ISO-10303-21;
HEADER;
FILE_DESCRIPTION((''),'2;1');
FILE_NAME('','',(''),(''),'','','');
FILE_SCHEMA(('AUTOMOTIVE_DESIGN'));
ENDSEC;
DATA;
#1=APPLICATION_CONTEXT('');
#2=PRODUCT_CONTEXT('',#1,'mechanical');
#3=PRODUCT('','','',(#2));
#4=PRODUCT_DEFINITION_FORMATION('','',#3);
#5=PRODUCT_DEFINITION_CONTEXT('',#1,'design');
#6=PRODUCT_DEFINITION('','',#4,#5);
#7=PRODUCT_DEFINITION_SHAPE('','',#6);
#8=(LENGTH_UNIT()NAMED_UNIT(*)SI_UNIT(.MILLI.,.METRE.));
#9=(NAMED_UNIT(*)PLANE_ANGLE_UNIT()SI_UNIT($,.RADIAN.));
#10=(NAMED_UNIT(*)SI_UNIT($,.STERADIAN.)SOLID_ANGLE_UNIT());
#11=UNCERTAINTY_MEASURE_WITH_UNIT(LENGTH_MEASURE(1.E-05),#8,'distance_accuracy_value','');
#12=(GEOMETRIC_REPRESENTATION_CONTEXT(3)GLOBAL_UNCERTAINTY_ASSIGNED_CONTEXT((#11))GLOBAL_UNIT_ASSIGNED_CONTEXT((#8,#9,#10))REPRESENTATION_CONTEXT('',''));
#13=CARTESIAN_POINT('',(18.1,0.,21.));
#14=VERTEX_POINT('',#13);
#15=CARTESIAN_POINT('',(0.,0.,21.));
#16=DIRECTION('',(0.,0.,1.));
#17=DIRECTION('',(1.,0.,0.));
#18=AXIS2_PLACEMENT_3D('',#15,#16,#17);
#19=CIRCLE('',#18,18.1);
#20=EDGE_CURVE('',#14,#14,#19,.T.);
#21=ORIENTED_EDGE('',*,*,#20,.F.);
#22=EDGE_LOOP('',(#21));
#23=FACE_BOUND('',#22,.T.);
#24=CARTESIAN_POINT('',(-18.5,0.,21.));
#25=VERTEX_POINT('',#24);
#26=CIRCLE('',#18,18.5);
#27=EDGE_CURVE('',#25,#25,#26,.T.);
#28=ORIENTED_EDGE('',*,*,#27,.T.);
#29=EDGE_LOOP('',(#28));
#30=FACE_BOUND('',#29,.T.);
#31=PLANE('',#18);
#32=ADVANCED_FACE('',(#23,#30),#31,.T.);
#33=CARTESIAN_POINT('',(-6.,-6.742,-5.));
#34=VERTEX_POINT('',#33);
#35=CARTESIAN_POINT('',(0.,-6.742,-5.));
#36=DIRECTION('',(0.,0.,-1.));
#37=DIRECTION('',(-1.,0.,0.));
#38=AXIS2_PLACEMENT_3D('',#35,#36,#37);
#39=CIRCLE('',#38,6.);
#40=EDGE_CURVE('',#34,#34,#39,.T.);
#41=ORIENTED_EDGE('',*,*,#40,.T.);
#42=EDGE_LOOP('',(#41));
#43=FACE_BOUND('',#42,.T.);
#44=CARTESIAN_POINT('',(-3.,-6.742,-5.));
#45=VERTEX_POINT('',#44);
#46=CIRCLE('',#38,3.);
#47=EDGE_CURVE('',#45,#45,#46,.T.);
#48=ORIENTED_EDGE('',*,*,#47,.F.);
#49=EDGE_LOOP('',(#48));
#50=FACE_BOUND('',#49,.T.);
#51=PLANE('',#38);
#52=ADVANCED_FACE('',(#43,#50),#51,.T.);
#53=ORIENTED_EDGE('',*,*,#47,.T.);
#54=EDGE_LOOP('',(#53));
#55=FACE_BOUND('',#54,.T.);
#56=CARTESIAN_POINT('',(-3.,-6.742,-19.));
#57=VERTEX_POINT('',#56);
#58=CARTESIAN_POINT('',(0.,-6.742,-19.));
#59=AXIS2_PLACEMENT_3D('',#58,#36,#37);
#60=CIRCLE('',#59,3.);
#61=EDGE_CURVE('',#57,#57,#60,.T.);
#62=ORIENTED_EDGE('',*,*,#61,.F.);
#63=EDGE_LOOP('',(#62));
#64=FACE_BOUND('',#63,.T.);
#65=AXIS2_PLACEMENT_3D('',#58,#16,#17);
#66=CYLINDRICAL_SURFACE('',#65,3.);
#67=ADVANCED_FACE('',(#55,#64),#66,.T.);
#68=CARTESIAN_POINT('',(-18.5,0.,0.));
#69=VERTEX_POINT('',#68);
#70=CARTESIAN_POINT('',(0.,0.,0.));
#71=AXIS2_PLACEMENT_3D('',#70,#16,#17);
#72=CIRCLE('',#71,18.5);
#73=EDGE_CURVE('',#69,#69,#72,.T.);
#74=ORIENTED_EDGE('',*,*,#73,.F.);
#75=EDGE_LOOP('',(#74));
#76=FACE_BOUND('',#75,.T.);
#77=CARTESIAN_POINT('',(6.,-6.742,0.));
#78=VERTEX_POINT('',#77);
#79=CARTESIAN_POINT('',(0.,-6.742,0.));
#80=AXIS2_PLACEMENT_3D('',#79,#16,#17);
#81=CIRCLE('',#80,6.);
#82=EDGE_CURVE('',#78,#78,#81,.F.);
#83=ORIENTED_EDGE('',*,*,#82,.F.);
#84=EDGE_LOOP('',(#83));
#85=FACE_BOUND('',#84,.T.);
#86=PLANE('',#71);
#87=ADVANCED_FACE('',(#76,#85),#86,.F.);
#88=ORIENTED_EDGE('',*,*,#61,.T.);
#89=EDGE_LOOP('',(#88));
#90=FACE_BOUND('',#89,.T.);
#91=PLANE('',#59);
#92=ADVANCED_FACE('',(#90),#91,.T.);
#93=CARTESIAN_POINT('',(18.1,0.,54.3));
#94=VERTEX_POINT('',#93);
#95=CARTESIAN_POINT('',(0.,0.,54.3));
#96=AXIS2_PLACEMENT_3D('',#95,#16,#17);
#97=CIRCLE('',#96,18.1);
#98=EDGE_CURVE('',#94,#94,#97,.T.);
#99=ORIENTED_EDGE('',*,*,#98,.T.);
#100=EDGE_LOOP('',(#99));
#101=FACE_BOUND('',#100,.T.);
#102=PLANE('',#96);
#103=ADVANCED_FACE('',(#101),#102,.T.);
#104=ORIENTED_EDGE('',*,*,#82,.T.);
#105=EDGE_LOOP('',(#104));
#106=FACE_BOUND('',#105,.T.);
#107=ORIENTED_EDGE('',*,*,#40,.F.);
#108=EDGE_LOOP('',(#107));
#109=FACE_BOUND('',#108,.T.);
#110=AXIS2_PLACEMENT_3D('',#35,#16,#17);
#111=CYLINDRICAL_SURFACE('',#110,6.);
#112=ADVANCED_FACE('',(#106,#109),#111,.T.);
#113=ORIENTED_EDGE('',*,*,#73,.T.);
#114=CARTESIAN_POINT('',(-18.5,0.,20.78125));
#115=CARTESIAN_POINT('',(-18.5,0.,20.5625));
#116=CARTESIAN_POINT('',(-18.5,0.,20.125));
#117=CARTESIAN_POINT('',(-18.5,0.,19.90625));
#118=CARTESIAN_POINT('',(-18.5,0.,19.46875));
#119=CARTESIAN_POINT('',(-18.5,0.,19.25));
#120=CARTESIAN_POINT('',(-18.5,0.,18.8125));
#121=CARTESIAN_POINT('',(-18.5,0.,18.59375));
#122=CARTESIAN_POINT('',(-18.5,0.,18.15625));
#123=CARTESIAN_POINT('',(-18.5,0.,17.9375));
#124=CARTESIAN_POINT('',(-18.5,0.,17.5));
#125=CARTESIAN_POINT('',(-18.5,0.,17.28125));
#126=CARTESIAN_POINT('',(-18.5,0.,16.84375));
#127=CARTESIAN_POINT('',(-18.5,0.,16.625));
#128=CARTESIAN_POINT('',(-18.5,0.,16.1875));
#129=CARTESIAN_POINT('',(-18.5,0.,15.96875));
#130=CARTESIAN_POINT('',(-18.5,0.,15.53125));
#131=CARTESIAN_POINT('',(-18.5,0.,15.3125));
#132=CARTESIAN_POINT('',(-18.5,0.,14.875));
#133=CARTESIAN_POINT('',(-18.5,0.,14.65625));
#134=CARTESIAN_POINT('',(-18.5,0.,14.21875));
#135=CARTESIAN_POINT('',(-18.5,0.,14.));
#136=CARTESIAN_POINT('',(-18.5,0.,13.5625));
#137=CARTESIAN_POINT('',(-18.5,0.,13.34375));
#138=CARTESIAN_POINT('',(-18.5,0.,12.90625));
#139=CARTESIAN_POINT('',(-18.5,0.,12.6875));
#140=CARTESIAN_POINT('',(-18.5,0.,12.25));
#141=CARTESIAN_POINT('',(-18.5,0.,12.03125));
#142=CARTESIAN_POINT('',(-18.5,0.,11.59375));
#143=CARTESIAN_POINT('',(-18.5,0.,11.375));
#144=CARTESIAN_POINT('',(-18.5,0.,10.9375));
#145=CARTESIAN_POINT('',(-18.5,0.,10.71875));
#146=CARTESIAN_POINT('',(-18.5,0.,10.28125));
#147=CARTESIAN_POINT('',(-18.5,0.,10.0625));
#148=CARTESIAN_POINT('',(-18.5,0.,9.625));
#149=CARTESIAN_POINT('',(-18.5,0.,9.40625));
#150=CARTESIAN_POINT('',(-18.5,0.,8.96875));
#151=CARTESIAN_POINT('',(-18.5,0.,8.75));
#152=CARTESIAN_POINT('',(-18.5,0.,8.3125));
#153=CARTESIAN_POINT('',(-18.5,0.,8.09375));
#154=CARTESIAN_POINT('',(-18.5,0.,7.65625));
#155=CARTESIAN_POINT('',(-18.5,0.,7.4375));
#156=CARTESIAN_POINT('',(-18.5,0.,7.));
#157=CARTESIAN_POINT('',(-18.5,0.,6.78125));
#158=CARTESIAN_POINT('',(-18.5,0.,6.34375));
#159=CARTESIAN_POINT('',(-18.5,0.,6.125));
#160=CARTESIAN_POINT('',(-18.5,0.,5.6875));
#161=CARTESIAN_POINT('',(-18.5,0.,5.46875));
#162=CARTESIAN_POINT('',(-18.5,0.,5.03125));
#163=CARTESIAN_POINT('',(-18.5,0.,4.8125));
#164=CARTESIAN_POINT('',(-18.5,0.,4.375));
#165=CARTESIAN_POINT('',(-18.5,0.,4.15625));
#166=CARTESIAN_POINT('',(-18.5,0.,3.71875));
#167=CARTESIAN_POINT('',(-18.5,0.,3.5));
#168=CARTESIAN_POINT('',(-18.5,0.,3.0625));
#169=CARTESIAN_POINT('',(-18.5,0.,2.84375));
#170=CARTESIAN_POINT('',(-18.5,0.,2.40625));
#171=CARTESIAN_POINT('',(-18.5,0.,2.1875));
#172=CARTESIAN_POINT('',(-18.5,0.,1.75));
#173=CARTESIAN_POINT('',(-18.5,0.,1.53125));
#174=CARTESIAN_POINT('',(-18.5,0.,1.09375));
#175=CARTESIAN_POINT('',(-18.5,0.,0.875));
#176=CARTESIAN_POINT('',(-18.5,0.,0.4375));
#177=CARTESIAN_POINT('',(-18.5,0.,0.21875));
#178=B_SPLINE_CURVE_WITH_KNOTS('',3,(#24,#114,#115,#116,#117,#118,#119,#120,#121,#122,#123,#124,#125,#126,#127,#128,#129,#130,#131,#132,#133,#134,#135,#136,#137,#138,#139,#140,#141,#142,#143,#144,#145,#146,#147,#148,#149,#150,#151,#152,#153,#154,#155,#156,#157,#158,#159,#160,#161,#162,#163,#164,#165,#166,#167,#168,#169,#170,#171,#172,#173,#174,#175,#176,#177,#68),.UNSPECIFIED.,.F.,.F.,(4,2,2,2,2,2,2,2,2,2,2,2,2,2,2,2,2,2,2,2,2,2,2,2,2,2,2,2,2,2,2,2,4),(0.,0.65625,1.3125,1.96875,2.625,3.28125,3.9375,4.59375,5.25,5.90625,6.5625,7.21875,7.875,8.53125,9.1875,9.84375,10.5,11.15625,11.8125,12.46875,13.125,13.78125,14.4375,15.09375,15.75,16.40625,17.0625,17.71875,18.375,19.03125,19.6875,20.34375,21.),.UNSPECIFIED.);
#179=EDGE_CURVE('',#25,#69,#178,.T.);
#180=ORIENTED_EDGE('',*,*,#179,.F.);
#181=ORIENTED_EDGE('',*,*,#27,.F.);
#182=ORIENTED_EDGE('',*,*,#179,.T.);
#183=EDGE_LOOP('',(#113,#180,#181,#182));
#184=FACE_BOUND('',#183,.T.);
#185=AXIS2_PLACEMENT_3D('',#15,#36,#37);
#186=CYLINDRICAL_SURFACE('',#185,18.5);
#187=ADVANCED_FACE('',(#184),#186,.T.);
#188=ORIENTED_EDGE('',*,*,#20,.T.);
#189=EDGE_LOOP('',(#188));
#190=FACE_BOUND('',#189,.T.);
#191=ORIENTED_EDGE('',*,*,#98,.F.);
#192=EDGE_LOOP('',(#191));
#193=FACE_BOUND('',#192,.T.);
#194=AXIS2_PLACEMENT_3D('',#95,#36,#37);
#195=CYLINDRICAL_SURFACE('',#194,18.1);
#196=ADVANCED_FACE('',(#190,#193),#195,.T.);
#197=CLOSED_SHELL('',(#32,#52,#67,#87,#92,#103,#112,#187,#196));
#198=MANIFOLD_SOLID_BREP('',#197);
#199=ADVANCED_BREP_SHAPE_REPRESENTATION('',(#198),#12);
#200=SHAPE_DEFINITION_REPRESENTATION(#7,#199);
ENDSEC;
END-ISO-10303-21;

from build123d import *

# Parameters (mm, degrees)
SKETCH1_R           = 18.5
INNER_DEPTH         = 21
SKETCH2_R           = 18.1
OUTER_DEPTH         = 33.3
SKETCH3_R           = 6
BOSS_EXTRUDE3_DEPTH = 5
SKETCH7_R           = 3
BOSS_EXTRUDE6_DEPTH = 14


with BuildPart() as part:
    # Sketch1 → Inner (new body)
    with BuildSketch(Plane.XY):
        with Locations(Location((0, 0, 0), (0, 0, 180))):
            Circle(SKETCH1_R)
    extrude(amount=INNER_DEPTH)

    # Sketch2 → Outer (add)
    with BuildSketch(Plane.XY.offset(21)):
        Circle(SKETCH2_R)
    extrude(amount=OUTER_DEPTH)

    # Sketch3 → Boss-Extrude3 (add)
    with BuildSketch(Plane(origin=(0, 0, 0), x_dir=(-1, 0, 0), z_dir=(0, 0, -1))):
        with Locations(Location((0, -6.742, 0), (0, 0, 180))):
            Circle(SKETCH3_R)
    extrude(amount=BOSS_EXTRUDE3_DEPTH)

    # Sketch7 → Boss-Extrude6 (add)
    with BuildSketch(Plane(origin=(0, 0, -5), x_dir=(-1, 0, 0), z_dir=(0, 0, -1))):
        with Locations((0, -6.742)):
            Circle(SKETCH7_R)
    extrude(amount=BOSS_EXTRUDE6_DEPTH)


solid = part.part
